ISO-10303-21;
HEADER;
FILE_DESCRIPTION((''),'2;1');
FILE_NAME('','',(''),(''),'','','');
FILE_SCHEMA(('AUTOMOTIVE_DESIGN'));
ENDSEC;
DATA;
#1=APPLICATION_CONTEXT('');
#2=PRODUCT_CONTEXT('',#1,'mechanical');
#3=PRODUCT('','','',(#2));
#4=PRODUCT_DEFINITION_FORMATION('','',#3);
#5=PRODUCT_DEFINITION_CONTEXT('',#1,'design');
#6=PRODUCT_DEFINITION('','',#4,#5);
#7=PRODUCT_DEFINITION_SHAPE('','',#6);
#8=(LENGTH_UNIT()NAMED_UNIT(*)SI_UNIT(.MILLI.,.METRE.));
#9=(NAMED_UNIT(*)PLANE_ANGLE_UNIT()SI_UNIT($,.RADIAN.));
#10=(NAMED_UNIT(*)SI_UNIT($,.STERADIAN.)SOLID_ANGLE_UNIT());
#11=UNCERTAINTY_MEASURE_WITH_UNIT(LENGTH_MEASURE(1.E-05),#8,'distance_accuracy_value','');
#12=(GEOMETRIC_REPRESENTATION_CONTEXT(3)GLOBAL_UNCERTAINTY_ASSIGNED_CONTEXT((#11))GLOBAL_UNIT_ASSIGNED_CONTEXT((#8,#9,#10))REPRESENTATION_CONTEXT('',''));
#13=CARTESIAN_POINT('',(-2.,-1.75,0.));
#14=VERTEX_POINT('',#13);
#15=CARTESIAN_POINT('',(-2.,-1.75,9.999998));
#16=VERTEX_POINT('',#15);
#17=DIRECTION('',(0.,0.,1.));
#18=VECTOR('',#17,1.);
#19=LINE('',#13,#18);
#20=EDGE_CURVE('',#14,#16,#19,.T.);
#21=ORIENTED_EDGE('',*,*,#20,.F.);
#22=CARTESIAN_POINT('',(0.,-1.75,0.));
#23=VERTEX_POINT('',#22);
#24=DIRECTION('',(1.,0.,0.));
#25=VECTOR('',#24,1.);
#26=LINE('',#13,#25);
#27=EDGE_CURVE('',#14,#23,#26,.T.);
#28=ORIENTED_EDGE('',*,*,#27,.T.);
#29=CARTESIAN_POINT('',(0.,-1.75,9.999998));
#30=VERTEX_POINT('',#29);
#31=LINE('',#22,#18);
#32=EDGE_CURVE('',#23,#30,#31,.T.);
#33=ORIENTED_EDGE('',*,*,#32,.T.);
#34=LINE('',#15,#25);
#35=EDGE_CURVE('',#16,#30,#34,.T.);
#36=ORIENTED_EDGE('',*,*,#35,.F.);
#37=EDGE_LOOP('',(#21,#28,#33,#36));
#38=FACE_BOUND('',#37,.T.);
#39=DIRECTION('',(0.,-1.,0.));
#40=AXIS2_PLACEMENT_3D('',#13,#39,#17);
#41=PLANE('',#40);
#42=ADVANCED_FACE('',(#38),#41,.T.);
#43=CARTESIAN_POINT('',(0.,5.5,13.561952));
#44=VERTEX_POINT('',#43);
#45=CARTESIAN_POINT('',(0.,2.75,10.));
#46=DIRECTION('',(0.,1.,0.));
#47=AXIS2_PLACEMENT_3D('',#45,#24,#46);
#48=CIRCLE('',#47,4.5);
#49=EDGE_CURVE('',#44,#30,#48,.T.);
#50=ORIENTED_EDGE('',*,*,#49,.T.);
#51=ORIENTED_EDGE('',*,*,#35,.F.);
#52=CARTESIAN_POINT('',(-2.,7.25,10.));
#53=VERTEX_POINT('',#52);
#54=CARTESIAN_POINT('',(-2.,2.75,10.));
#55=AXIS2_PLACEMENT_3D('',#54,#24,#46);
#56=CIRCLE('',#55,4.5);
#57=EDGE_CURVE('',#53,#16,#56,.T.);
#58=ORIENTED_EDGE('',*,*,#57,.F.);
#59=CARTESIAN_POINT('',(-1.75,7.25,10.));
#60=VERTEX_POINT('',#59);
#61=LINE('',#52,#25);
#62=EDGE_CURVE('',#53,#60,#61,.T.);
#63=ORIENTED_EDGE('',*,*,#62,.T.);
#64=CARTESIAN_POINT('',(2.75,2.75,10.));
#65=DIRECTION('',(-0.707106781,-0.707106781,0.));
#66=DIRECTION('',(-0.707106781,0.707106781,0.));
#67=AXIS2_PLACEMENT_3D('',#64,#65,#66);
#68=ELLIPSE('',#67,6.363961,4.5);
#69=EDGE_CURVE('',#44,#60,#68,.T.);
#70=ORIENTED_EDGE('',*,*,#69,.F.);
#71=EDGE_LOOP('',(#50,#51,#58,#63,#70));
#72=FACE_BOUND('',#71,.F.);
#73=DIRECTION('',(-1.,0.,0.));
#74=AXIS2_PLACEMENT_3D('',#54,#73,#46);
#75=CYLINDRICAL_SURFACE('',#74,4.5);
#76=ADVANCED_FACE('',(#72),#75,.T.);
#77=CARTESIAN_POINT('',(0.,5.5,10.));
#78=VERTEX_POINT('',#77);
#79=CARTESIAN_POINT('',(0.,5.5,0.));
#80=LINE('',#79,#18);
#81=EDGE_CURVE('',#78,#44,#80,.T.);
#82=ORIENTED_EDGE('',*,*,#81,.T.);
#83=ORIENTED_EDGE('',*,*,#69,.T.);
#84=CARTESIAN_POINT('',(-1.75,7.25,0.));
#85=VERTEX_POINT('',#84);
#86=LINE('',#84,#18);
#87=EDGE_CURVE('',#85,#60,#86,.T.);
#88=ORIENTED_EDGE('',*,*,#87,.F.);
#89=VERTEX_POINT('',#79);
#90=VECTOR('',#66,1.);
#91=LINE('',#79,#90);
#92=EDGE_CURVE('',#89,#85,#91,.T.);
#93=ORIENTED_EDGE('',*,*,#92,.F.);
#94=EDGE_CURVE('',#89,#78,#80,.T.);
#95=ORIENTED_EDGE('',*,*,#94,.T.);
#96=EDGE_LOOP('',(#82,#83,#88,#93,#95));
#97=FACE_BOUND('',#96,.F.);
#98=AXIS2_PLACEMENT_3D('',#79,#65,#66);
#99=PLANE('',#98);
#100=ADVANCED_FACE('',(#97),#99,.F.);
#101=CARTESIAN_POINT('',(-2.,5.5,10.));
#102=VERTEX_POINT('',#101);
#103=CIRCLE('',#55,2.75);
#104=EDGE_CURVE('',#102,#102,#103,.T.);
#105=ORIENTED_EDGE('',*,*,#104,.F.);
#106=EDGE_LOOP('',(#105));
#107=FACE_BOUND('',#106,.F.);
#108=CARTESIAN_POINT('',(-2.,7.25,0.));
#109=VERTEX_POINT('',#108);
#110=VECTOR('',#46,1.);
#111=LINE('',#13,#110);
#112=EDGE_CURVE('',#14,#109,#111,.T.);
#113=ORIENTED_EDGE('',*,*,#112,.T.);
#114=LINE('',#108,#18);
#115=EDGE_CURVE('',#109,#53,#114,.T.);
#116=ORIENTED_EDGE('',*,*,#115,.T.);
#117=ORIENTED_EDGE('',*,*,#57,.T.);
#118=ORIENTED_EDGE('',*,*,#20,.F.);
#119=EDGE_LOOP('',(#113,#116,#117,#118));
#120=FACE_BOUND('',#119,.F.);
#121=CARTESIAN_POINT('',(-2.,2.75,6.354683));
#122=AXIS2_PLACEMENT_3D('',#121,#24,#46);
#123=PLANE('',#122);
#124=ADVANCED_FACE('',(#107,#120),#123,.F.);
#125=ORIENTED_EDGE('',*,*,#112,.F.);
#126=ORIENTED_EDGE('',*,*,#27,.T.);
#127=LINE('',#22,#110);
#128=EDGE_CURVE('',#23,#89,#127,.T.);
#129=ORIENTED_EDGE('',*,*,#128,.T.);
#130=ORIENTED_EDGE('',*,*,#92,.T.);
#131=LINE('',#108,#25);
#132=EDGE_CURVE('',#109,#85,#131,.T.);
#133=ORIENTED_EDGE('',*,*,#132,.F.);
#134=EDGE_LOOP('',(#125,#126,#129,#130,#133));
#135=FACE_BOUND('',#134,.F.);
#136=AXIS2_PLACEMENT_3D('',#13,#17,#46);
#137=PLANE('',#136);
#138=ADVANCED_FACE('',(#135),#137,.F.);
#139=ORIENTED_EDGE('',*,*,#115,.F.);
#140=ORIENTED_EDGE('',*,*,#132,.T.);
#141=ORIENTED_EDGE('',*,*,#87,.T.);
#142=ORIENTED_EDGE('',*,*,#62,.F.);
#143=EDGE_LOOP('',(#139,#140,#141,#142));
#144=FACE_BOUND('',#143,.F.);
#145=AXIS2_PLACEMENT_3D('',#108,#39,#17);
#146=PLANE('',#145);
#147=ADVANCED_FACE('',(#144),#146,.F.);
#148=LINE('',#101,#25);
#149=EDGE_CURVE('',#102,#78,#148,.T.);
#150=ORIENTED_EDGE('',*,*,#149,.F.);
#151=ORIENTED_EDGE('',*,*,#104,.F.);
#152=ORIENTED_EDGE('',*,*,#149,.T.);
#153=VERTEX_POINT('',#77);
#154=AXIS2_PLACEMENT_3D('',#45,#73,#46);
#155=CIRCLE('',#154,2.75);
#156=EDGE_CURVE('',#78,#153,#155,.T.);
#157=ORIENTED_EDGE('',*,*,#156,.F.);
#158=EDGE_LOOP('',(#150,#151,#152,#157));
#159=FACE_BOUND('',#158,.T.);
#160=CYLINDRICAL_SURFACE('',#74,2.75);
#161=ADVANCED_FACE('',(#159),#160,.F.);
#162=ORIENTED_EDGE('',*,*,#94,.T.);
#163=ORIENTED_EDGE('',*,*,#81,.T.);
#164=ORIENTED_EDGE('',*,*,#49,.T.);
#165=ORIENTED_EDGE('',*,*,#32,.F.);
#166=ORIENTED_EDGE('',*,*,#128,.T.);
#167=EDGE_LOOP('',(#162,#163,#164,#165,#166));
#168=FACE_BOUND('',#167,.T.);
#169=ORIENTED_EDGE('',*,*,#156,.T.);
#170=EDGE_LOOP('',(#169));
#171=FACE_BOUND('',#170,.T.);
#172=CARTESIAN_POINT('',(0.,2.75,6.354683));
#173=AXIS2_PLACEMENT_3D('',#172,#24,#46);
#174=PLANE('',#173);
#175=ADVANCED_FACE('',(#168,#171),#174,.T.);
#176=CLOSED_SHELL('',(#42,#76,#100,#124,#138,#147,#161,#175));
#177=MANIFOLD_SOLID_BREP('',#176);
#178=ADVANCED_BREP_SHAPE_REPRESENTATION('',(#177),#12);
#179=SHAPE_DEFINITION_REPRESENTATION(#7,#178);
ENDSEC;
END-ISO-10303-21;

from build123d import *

# Parameters (mm, degrees)
SKETCH106_R      = 2.75
EXTRUDE024_DEPTH = 5
EXTRUDE023_DEPTH = 15
EXTRUDE022_DEPTH = 2


with BuildPart() as extrude024:
    # Sketch106 → Extrude024 (new body)
    with BuildSketch(Plane.YZ.offset(-2)):
        with Locations((2.75, 10)):
            Circle(SKETCH106_R)
    extrude(amount=EXTRUDE024_DEPTH)


with BuildPart() as extrude023:
    # Sketch105 → Extrude023 (new body)
    with BuildSketch(Plane.XY):
        Polygon((0, 5.5), (-1.75, 7.25), (0, 7.25), align=None)
    extrude(amount=EXTRUDE023_DEPTH)


with BuildPart() as cut019:
    # Sketch104 → Extrude022 (new body)
    with BuildSketch(Plane.YZ.offset(-2)):
        with BuildLine():
            Line((-1.75, 0), (7.25, 0))
            Line((7.25, 0), (7.25, 10))
            ThreePointArc((7.25, 10), (2.749999, 14.5), (-1.75, 9.999998))
            Line((-1.75, 0), (-1.75, 9.999998))
        make_face()
    extrude(amount=EXTRUDE022_DEPTH)

    # Cut018: cut Extrude023
    add(extrude023.part, mode=Mode.SUBTRACT)

    # Cut019: cut Extrude024
    add(extrude024.part, mode=Mode.SUBTRACT)


solid = cut019.part
